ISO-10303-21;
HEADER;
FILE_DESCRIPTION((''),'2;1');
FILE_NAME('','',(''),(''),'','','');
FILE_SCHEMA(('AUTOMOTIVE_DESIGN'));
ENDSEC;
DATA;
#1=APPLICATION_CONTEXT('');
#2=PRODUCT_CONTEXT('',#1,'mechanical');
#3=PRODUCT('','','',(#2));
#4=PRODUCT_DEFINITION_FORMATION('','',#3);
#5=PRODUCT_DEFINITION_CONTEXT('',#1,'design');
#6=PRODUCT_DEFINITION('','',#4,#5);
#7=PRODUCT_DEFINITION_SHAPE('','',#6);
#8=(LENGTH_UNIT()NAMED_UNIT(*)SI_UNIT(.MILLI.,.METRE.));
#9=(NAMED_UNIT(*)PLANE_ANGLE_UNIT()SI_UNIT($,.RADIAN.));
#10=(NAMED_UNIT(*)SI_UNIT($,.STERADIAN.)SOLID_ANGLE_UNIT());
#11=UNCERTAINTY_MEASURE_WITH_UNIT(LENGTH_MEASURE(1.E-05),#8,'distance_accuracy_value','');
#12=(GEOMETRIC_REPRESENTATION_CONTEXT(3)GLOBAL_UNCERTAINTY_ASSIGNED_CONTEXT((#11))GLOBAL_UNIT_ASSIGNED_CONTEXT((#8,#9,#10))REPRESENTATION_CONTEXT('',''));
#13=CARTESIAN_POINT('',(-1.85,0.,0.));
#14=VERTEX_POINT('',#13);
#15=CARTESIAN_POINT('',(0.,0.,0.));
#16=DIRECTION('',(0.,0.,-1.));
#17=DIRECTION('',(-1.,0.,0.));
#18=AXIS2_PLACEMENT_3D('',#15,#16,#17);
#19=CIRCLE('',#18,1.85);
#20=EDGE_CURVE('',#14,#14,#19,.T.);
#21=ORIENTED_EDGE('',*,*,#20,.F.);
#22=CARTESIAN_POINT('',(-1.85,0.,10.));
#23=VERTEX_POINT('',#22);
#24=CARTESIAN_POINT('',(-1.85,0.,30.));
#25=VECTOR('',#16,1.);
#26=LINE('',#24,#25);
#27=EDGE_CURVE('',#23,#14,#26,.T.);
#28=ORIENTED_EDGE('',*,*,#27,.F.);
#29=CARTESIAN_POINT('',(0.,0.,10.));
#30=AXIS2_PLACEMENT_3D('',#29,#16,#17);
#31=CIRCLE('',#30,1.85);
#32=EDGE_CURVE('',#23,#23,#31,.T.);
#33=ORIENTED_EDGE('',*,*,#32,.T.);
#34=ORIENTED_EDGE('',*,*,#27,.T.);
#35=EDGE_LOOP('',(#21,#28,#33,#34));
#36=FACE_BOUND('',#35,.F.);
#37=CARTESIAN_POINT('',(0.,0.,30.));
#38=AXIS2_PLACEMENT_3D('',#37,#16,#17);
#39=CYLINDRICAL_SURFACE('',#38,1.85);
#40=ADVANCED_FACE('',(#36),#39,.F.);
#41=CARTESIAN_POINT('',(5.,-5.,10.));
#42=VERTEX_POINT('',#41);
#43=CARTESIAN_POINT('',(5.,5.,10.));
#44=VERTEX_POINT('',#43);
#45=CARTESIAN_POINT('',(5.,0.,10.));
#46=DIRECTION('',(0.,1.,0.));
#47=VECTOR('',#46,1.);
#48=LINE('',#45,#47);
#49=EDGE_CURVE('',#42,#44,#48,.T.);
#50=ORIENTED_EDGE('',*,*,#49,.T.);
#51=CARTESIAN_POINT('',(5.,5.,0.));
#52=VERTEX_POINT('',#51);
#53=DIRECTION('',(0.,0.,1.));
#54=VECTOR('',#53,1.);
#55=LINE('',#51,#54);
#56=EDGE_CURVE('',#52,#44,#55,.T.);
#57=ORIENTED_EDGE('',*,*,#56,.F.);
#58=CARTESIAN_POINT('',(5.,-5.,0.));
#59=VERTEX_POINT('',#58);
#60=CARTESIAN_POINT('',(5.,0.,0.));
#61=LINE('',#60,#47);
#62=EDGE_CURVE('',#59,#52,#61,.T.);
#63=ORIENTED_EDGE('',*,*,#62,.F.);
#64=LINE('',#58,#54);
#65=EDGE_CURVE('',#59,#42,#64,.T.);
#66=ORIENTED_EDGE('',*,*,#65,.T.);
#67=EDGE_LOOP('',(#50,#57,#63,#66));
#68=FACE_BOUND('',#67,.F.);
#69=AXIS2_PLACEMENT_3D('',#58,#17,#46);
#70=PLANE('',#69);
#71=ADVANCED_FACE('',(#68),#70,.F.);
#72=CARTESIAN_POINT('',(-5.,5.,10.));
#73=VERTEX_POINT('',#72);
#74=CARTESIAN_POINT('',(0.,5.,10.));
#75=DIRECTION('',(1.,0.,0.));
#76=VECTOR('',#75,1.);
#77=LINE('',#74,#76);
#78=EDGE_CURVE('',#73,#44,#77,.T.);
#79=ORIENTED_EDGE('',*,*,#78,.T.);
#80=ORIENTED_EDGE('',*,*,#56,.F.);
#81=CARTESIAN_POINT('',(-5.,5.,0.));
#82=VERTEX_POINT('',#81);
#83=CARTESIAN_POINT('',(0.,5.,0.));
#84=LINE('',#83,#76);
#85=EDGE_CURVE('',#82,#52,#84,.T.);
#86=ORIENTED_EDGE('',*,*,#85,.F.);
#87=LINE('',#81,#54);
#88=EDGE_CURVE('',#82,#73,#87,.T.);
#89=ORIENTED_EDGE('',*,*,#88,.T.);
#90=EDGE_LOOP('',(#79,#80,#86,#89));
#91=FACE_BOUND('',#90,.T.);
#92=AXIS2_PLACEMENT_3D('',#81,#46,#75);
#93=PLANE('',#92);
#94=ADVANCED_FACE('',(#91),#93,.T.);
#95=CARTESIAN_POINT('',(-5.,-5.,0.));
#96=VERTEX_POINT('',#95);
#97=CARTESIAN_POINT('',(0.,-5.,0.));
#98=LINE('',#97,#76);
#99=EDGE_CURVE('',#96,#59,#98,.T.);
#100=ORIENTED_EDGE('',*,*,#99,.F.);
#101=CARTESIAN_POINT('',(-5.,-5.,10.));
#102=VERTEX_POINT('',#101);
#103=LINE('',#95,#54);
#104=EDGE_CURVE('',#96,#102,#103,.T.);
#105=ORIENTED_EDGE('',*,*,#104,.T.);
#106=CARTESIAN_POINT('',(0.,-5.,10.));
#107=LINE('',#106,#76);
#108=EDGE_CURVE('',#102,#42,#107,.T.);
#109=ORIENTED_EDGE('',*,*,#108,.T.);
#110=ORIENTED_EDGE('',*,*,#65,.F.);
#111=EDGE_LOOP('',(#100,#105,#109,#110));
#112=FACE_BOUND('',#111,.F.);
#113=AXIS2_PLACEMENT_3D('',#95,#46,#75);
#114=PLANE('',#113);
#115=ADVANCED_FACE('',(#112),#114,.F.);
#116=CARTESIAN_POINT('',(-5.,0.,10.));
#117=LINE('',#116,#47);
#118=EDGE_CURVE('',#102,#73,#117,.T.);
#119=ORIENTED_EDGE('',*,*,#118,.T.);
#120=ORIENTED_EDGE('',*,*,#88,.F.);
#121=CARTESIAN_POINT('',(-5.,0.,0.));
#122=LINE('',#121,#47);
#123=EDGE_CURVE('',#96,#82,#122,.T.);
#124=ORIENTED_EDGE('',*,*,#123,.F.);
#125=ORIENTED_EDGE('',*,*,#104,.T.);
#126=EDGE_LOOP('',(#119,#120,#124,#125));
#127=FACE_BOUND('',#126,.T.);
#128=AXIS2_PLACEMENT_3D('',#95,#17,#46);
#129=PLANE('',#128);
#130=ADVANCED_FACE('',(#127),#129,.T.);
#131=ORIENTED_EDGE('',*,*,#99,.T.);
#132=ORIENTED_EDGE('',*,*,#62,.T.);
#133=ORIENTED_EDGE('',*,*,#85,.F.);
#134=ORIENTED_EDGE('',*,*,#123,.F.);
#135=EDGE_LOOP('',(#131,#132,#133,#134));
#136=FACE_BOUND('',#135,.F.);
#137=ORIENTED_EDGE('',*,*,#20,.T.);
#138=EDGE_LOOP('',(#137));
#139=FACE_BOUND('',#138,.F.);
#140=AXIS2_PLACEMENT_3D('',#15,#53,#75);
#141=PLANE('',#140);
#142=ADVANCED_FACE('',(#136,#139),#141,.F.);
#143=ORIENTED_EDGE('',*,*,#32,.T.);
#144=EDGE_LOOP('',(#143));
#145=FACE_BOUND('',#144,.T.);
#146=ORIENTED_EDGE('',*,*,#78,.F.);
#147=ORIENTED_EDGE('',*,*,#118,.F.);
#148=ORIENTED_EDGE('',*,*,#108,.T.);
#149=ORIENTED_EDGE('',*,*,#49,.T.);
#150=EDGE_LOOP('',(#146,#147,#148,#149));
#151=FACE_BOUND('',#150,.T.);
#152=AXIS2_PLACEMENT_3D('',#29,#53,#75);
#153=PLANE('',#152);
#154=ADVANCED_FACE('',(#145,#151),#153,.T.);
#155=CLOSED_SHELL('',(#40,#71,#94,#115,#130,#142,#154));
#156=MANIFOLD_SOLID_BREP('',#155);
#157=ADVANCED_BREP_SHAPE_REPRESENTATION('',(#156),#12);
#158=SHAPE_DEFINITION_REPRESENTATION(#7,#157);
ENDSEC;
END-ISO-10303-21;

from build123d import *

# Parameters (mm, degrees)
F0_W     = 10
F0_H     = 10
F1_DEPTH = 10
F3_D     = 3.7
F3_DEPTH = 20


with BuildPart() as f1:
    # F0 (on Top) → F1 (new body)
    with BuildSketch(Plane.XY):
        Rectangle(F0_W, F0_H)
    extrude(amount=F1_DEPTH)

    # F3
    with Locations(Plane.XY.offset(10)):
        with Locations((0, 0)):
            Hole(F3_D / 2, depth=F3_DEPTH)


solid = f1.part
